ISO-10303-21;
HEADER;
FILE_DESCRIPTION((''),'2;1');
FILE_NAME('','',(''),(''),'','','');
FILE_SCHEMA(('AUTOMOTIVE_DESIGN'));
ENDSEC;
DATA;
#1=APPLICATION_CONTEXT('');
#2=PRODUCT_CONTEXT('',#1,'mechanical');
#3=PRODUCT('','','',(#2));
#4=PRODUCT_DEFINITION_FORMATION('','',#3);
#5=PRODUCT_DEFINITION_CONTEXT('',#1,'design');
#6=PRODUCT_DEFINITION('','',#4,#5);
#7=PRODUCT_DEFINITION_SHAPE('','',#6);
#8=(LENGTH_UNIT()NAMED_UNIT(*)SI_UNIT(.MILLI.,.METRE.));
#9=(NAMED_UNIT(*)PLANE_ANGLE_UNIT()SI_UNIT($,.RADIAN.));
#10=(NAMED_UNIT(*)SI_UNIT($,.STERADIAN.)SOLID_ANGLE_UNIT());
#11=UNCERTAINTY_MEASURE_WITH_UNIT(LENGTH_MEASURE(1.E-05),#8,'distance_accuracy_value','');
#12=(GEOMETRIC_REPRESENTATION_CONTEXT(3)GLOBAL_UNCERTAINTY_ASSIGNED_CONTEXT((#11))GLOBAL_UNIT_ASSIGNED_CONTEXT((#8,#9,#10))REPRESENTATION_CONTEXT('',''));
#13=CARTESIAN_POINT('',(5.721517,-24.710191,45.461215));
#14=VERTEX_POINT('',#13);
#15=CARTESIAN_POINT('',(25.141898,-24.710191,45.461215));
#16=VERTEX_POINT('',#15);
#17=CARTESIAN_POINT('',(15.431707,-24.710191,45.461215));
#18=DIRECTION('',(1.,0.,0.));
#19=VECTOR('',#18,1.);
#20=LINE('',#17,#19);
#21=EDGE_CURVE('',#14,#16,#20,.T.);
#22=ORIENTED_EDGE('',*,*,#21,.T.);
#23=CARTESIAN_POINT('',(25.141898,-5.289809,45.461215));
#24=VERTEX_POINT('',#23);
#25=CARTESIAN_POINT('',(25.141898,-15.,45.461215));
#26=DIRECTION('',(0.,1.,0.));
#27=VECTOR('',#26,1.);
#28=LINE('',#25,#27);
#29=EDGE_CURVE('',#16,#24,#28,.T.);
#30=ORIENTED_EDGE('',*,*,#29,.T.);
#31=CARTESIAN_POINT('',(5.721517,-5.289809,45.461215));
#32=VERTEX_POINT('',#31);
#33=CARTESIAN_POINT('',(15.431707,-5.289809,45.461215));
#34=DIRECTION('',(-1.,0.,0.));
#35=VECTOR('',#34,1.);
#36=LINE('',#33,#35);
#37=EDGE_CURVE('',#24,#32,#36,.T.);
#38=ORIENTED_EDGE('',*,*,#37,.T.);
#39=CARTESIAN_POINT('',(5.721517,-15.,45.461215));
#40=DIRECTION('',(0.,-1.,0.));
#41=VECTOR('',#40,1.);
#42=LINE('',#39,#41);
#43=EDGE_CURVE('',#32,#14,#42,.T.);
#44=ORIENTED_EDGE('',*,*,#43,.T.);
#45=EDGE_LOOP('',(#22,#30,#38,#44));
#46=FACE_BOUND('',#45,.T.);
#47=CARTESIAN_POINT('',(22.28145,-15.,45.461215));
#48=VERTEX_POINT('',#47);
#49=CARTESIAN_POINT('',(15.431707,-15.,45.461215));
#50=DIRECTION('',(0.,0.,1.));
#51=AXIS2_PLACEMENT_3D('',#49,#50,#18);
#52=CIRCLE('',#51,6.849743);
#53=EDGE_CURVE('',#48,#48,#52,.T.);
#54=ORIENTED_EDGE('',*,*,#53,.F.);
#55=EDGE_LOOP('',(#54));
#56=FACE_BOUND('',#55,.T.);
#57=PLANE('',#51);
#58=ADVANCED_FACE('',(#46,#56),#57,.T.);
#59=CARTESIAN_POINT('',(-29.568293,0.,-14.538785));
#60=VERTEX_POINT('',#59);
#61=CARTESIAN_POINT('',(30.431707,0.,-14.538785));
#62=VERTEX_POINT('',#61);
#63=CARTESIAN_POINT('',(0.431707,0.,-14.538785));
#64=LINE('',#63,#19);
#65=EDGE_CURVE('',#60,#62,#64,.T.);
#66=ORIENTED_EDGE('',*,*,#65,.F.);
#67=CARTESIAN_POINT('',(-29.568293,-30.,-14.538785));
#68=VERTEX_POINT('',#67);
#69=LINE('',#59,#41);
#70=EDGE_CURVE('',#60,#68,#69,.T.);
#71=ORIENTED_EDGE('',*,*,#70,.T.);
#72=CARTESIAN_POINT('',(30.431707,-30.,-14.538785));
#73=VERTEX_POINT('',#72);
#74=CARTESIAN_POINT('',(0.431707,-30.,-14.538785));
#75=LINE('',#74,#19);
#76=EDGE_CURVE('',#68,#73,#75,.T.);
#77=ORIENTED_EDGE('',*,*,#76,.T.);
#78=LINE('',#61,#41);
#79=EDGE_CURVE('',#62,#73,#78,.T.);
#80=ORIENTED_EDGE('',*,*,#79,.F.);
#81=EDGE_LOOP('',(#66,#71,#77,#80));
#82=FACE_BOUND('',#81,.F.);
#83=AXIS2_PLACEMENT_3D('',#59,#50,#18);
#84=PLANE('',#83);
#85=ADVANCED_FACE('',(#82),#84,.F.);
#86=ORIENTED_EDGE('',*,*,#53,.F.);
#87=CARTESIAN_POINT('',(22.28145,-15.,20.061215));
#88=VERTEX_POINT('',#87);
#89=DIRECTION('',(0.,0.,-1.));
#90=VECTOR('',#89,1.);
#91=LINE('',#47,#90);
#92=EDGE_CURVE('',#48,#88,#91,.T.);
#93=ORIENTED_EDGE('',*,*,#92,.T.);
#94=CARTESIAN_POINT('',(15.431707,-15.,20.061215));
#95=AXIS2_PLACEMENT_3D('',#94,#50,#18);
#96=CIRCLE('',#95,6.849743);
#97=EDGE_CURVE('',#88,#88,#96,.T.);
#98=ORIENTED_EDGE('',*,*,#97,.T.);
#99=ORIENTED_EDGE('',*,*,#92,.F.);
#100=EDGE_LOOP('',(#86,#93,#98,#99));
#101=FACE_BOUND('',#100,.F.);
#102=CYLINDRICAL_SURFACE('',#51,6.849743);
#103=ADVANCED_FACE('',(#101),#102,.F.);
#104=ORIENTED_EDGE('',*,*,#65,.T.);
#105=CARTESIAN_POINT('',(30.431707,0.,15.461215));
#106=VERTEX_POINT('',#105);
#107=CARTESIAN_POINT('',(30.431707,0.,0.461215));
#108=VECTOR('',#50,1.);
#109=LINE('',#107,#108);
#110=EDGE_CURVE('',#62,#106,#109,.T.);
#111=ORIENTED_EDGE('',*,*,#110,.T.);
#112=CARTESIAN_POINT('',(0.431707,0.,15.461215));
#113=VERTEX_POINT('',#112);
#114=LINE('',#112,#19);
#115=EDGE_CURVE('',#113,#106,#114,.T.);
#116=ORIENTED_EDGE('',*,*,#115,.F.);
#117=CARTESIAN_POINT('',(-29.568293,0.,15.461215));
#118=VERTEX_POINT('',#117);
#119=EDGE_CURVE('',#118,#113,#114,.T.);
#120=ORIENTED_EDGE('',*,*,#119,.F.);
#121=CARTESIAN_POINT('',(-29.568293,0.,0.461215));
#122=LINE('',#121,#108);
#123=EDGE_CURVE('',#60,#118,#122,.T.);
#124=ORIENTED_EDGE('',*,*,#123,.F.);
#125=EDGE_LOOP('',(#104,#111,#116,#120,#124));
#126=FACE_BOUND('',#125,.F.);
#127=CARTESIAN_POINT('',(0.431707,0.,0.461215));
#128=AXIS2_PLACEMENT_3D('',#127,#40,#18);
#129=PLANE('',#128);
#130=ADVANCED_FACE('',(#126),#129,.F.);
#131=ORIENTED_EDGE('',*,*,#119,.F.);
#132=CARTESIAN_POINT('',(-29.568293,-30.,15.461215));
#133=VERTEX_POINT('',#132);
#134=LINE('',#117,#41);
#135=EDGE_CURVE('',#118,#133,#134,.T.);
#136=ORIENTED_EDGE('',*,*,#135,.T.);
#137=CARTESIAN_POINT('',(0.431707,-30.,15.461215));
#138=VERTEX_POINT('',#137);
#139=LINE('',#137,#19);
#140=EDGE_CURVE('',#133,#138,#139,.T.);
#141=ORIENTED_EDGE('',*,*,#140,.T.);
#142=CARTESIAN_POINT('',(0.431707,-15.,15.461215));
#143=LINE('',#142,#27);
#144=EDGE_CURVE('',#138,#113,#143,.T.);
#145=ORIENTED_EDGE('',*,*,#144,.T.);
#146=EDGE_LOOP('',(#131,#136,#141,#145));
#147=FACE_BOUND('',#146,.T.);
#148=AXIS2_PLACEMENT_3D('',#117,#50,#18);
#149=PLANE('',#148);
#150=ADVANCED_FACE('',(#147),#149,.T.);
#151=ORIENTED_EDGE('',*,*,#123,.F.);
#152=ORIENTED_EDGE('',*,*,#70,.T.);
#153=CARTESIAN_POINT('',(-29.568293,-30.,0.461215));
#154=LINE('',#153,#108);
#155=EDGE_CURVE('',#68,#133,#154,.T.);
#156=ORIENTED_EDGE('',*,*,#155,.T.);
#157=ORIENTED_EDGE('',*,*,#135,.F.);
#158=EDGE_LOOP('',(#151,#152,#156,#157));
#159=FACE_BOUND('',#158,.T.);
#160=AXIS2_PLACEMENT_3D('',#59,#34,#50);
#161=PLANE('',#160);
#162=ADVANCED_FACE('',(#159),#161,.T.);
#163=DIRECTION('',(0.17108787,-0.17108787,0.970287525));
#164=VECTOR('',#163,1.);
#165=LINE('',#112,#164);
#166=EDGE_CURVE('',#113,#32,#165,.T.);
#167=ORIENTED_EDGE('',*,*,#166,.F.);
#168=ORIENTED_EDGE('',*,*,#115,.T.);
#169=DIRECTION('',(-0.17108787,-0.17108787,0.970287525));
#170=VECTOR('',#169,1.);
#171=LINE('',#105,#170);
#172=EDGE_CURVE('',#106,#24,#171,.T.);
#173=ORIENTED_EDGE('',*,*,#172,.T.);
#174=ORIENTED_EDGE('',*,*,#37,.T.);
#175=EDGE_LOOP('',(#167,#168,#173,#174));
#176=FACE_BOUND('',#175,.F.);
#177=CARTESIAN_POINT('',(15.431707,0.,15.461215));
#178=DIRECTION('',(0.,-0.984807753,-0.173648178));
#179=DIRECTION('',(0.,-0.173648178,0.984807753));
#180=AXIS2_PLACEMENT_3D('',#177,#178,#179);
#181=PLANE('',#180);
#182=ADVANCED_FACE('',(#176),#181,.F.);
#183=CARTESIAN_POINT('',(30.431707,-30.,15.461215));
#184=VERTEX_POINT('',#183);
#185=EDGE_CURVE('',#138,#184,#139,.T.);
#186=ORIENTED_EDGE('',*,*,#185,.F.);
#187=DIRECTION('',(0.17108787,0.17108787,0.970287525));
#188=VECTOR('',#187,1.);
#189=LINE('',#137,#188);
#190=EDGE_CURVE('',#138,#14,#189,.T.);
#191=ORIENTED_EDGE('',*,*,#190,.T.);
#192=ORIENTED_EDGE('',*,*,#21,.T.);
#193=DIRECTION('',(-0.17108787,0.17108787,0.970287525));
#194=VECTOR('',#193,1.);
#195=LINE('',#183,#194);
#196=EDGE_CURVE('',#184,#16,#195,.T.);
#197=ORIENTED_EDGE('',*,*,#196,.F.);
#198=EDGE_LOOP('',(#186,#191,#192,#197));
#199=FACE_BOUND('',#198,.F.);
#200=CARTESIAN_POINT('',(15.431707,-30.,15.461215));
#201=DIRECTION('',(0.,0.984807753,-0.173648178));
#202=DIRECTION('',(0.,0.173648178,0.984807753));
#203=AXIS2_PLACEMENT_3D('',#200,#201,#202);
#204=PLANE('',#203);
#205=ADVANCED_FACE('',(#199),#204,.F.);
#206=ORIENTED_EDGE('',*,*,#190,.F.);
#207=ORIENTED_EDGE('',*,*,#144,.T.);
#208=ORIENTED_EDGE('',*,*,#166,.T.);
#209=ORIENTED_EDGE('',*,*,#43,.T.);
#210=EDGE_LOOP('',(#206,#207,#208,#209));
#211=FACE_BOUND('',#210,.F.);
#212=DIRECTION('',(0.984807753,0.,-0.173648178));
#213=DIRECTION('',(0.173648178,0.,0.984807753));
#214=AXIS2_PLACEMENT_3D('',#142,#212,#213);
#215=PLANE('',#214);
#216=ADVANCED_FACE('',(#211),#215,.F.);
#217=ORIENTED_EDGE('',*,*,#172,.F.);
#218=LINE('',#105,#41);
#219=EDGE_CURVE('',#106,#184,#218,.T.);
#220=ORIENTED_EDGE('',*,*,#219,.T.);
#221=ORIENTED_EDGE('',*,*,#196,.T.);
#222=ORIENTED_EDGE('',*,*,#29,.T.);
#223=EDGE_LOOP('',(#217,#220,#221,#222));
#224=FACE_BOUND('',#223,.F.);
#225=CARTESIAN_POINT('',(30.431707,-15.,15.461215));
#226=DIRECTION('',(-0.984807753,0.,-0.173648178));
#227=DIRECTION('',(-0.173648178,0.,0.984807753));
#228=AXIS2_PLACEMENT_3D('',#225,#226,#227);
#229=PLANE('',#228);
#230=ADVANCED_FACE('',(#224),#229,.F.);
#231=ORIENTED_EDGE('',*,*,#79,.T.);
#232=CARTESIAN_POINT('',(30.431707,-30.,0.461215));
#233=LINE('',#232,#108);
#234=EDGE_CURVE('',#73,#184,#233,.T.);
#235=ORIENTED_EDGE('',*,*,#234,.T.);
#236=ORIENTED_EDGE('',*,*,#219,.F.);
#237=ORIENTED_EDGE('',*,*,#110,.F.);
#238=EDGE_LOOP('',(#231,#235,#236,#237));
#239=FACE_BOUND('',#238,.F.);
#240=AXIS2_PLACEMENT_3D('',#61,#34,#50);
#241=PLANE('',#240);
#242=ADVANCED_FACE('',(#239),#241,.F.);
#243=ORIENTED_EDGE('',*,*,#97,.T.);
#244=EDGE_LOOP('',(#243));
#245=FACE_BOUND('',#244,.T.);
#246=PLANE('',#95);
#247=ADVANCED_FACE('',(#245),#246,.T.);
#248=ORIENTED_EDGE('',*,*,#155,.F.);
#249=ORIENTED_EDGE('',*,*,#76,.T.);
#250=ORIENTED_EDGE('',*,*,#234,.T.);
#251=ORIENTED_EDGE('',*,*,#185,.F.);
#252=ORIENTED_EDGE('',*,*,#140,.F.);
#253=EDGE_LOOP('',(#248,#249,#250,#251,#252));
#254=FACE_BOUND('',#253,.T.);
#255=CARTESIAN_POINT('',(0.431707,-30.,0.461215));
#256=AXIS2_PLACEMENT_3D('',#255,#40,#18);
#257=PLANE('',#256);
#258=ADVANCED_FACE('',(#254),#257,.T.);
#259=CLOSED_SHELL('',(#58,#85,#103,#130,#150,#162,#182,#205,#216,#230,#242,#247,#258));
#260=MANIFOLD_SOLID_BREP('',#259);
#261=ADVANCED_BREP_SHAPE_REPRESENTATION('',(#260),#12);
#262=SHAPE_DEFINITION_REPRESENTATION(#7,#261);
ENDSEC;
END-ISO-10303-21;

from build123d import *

# Parameters (mm, degrees)
F0_W     = 60
F0_H     = 30
F1_DEPTH = 30
F2_W     = 30
F2_H     = 30
F3_DEPTH = 30
F3_TAPER = 10
F4_R     = 6.8497431599
F5_DEPTH = 25.4


with BuildPart() as f1:
    # F0 (on Front) → F1 (new body)
    with BuildSketch(Plane.XZ):
        with Locations((0.4317071289, 0.4612154852)):
            Rectangle(F0_W, F0_H)
    extrude(amount=F1_DEPTH)

    # F2 (on face) → F3 (join)
    with BuildSketch(Plane.XY.offset(15.4612154852)):
        with Locations((15.4317071289, -15)):
            Rectangle(F2_W, F2_H)
    extrude(amount=F3_DEPTH, taper=F3_TAPER)

    # F4 (on face) → F5 (cut)
    with BuildSketch(Plane.XY.offset(45.4612154852)):
        with Locations((15.4317071289, -15)):
            Circle(F4_R)
    extrude(amount=-F5_DEPTH, mode=Mode.SUBTRACT)


solid = f1.part
